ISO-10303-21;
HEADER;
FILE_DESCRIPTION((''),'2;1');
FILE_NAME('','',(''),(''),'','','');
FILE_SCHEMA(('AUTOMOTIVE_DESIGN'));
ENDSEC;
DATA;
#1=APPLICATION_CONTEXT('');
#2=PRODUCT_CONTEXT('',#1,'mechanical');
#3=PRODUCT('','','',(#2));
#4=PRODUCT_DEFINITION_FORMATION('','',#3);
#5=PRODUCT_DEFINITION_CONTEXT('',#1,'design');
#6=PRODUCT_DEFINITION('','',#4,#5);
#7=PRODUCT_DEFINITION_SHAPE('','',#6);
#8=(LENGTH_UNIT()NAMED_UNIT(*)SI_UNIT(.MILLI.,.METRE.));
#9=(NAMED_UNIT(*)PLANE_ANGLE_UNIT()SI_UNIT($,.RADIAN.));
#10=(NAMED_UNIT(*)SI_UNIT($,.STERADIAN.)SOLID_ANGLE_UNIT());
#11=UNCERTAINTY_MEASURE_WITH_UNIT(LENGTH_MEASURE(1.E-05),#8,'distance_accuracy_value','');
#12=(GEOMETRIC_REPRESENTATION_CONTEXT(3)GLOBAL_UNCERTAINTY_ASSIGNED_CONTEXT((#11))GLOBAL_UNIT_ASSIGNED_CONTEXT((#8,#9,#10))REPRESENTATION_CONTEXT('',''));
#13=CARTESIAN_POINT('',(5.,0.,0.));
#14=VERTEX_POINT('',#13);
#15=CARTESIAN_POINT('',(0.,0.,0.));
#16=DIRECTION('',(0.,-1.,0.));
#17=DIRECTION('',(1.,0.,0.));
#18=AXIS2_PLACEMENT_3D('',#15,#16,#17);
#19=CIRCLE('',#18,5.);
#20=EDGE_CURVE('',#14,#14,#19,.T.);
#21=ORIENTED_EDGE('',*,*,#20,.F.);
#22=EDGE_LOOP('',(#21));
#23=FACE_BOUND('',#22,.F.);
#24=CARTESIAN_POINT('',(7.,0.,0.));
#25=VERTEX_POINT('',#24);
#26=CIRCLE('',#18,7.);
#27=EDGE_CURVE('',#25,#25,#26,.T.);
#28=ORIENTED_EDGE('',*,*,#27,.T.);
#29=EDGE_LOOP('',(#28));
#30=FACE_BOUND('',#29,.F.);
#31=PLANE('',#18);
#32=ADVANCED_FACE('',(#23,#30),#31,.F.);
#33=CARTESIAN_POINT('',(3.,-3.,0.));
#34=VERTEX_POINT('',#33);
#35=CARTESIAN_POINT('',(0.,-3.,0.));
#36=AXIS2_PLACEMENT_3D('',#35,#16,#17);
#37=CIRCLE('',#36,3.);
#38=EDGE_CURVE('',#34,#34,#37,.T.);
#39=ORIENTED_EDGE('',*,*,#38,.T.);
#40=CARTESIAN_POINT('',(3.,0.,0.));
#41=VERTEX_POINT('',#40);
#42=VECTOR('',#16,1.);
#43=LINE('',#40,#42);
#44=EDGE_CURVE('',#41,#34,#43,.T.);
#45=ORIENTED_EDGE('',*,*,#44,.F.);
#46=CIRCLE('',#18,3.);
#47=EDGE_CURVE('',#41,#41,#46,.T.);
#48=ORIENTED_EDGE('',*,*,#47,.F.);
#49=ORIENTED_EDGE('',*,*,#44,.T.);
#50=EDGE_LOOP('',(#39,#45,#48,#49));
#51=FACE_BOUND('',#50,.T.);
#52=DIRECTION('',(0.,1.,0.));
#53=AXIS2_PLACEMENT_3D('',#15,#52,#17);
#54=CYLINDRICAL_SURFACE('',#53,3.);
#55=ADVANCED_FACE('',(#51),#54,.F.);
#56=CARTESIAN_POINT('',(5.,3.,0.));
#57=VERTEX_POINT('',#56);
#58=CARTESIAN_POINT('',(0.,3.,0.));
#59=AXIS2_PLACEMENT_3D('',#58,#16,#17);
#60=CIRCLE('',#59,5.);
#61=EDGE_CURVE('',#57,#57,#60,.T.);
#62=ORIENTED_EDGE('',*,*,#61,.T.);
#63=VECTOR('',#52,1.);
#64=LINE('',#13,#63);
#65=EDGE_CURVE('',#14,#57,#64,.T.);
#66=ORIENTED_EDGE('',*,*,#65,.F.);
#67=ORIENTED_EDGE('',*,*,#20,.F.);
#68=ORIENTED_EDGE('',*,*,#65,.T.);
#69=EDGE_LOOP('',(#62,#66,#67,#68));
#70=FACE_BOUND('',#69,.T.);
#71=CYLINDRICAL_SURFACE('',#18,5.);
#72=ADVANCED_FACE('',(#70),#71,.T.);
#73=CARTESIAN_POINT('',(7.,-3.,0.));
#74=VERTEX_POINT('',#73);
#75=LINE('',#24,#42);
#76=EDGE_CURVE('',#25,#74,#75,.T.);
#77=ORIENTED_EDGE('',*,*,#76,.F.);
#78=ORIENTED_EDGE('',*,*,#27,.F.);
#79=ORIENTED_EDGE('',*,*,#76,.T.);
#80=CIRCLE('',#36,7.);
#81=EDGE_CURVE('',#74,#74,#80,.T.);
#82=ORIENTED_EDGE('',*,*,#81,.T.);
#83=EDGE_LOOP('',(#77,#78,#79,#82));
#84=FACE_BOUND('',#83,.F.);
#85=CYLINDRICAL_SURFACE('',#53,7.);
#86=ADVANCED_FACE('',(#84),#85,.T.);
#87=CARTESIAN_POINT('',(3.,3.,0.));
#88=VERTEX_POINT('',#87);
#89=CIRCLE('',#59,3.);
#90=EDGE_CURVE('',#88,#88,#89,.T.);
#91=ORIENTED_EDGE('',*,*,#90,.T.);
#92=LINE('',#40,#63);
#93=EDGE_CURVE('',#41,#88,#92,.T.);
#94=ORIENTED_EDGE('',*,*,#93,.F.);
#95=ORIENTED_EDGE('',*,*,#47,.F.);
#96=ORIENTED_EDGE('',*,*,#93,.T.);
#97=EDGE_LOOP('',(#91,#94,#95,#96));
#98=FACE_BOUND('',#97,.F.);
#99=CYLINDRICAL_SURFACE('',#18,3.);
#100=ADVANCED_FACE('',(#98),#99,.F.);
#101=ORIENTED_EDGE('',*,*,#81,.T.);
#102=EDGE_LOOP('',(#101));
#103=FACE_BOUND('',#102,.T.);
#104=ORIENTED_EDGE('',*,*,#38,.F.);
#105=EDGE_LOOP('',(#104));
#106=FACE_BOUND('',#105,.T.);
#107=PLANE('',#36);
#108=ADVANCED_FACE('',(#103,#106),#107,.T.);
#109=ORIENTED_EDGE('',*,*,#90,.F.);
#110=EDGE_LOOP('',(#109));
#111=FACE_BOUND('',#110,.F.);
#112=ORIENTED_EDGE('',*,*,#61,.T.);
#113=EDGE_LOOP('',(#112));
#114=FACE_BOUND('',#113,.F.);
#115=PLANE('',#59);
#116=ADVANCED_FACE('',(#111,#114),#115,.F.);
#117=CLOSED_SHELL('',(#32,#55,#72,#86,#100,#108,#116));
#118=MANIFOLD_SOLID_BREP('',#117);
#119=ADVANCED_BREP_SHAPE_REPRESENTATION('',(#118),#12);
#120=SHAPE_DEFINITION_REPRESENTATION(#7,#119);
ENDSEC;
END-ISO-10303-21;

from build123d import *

# Parameters (mm, degrees)
F0_R          = 7
F0_R_2        = 5
F1_DEPTH      = 3
F0_R_3        = 3
F2_DEPTH      = 3
F2_DEPTH_BACK = 3


with BuildPart() as f1:
    # F0 (on Front) → F1 (new body)
    with BuildSketch(Plane.XZ):
        Circle(F0_R)
        Circle(F0_R_2, mode=Mode.SUBTRACT)
    extrude(amount=F1_DEPTH)

    # F0 (on Front) → F2 (join, two sides)
    with BuildSketch(Plane.XZ) as f2_sk:
        Circle(F0_R_2)
        Circle(F0_R_3, mode=Mode.SUBTRACT)
    extrude(amount=F2_DEPTH)
    extrude(f2_sk.sketch, amount=-F2_DEPTH_BACK)


solid = f1.part
